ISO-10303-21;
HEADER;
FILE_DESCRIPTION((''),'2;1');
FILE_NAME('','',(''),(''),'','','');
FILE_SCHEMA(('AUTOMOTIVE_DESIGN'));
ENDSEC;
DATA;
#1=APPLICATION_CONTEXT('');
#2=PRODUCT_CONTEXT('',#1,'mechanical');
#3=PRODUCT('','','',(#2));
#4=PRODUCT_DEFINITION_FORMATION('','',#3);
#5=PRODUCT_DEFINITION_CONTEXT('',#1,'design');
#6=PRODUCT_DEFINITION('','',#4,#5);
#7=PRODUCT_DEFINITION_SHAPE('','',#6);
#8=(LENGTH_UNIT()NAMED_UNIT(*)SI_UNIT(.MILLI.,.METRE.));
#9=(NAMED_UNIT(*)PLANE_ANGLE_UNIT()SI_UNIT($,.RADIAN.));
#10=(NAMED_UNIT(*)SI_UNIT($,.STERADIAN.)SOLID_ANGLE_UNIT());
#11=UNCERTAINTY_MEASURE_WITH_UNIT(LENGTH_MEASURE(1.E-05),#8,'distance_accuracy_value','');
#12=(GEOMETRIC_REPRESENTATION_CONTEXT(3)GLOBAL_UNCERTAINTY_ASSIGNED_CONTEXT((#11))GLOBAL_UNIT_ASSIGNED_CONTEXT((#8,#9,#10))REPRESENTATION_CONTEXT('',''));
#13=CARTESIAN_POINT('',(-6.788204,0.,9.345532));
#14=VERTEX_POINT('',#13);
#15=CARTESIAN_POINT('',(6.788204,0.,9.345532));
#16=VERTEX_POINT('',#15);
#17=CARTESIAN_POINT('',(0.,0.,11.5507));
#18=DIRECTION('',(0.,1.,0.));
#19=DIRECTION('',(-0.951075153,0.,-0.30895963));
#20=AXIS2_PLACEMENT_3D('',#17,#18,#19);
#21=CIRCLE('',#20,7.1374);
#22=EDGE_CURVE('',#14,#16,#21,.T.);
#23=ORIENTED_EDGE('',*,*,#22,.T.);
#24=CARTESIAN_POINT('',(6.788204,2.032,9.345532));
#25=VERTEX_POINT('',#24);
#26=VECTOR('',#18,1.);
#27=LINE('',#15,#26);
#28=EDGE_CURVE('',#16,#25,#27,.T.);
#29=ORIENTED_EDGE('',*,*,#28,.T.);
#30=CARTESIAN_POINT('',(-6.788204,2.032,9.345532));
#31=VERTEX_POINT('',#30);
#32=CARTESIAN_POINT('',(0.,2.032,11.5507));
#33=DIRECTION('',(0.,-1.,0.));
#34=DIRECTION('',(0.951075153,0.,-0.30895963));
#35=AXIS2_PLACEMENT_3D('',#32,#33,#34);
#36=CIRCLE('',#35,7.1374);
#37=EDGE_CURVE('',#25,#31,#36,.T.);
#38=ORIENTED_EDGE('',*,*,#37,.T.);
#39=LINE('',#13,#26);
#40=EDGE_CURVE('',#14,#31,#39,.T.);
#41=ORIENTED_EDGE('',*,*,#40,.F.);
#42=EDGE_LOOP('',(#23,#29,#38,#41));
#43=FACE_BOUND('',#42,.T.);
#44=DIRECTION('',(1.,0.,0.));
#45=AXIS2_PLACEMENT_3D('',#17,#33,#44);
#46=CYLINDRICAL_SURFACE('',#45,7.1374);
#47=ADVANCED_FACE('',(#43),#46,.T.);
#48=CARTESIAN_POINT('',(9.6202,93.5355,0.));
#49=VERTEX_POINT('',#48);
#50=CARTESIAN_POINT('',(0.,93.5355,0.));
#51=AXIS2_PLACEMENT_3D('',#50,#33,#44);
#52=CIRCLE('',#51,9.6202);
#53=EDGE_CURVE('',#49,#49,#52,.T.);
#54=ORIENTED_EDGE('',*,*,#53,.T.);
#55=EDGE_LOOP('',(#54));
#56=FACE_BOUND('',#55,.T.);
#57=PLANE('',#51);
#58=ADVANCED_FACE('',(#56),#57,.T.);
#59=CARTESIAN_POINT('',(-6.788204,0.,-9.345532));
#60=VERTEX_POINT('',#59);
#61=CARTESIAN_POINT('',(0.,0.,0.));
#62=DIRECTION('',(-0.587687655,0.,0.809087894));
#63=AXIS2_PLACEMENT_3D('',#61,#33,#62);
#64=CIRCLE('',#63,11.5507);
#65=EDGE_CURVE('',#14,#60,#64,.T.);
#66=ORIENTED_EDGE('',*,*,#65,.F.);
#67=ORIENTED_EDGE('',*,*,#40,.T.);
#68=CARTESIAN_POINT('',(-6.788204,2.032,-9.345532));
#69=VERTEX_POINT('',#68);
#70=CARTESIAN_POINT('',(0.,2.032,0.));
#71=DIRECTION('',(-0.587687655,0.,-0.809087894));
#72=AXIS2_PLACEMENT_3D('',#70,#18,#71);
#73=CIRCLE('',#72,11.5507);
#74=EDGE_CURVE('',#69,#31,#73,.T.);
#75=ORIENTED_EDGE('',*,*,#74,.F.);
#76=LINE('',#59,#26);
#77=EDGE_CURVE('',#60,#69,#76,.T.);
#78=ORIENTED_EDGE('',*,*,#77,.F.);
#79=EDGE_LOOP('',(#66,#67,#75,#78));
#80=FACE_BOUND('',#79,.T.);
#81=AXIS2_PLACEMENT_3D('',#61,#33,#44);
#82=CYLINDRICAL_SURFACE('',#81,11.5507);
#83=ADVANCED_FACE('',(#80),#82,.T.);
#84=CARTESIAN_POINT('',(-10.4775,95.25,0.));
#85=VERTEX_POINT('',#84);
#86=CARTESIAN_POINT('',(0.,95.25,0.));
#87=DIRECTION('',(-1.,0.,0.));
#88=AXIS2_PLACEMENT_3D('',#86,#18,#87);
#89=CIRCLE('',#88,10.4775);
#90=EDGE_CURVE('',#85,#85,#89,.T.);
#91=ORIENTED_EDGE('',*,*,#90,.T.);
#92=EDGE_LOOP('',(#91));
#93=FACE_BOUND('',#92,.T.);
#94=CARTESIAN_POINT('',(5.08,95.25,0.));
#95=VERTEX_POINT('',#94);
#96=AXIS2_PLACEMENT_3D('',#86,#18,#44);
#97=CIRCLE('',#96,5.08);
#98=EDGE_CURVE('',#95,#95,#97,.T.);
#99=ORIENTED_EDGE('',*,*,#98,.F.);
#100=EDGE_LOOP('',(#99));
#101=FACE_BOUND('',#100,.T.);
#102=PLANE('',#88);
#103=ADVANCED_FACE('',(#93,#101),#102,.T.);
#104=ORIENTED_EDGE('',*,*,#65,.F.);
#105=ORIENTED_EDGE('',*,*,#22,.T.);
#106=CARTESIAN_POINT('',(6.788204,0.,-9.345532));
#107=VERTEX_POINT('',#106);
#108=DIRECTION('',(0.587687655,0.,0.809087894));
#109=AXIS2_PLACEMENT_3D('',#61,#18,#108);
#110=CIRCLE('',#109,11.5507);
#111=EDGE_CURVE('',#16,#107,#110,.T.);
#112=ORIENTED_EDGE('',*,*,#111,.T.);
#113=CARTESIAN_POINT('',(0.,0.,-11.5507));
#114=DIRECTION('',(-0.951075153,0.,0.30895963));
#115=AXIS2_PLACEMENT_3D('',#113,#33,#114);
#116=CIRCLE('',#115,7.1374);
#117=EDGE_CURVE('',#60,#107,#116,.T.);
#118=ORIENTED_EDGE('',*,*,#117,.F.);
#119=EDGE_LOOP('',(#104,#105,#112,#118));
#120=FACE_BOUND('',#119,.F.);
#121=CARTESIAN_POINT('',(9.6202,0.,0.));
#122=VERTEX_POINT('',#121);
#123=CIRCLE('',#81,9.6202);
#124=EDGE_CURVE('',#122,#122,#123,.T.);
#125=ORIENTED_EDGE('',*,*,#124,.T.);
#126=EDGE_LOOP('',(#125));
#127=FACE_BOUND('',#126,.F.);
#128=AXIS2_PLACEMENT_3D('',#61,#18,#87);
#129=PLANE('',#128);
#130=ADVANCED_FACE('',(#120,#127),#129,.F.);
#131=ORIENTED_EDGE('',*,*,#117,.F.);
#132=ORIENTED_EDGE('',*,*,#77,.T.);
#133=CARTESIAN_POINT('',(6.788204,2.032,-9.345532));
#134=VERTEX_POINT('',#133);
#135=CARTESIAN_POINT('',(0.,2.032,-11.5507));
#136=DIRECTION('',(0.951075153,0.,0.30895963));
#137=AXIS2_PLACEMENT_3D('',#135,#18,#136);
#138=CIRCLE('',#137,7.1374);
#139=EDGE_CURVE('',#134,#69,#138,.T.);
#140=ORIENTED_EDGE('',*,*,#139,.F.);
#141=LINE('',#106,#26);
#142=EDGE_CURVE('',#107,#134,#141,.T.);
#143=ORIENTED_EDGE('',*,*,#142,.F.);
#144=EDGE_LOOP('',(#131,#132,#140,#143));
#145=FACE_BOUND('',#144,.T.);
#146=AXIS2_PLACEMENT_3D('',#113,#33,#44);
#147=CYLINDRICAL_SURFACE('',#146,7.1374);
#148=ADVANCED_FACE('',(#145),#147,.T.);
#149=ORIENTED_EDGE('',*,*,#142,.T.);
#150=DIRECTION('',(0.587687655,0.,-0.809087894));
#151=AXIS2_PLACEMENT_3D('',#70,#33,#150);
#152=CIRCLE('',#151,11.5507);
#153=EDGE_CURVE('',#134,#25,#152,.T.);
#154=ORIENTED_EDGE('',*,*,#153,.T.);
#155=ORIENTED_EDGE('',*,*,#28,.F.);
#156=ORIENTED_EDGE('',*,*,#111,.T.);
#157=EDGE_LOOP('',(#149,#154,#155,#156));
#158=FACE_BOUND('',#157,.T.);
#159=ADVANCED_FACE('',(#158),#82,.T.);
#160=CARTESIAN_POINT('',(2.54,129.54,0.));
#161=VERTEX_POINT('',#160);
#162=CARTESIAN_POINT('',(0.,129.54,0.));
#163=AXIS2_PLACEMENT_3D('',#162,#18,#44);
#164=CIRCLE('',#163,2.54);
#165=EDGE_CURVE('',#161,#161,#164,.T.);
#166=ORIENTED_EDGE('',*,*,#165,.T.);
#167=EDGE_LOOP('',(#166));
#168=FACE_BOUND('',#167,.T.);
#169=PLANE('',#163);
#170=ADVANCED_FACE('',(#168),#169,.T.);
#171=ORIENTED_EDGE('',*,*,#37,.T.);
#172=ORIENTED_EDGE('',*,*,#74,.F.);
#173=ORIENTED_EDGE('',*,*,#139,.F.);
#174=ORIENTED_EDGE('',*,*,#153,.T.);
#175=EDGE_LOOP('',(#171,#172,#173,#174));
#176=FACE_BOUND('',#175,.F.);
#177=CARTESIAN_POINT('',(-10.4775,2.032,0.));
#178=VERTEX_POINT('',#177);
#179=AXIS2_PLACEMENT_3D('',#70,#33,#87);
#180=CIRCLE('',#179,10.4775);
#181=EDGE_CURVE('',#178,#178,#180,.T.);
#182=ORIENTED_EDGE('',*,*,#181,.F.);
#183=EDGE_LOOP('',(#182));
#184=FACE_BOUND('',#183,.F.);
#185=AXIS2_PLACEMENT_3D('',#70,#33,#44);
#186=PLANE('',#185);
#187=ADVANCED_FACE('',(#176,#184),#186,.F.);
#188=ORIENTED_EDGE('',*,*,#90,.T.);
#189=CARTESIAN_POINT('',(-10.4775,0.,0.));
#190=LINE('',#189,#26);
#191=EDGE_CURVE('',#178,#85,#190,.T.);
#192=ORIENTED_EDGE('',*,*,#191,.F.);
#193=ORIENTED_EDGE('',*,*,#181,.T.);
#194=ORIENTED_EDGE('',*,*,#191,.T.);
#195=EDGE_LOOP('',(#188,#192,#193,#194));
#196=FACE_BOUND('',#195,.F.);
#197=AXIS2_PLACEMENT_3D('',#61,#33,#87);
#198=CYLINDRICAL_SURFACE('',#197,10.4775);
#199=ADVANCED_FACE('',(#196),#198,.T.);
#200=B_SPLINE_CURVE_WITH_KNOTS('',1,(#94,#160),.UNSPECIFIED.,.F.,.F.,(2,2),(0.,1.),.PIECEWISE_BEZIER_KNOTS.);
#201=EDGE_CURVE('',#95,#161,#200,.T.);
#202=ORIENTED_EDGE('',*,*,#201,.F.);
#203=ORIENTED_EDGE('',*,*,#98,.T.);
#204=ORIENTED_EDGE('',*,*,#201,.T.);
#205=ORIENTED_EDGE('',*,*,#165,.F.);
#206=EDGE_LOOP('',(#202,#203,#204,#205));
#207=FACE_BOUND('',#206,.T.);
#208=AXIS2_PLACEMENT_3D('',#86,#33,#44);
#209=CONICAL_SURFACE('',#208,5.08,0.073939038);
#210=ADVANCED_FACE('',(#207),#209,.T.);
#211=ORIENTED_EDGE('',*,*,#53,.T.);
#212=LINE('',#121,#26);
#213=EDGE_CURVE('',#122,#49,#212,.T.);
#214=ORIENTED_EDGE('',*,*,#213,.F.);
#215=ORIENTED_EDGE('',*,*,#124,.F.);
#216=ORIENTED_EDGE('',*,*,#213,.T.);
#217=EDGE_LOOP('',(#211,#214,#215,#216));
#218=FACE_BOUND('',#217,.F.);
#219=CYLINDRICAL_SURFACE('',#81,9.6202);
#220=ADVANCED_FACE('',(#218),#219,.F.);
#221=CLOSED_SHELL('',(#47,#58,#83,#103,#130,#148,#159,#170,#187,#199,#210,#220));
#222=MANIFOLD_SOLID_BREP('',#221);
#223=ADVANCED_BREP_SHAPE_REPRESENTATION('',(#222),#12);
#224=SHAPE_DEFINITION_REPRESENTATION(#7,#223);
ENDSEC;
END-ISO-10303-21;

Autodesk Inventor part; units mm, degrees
ref_plane "YZ Plane" through (0, 0, 0) normal (1, 0, 0) x (0, 1, 0)
ref_plane "XZ Plane" through (0, 0, 0) normal (0, 1, 0) x (-1, 0, 0)
sketch "Sketch1" plane through (0, 0, 0) normal (0, 1, 0) x (-1, 0, 0)
  circle A0 centre (0, 0) radius 10.4775
  dimension "d0" = 20.955
extrude "Extrusion1" add sketch "Sketch1" along normal blind 95.25
sketch "Sketch2" plane through (0, 95.25, 0) normal (0, 1, 0) x (1, 0, 0)
  circle A0 centre (0, 0) radius 5.08
  dimension "d3" = 10.16
ref_plane "Work Plane1" through (0, 129.54, 0) normal (0, 1, 0) x (1, 0, 0)
sketch "Sketch3" plane through (0, 129.54, 0) normal (0, 1, 0) x (1, 0, 0)
  circle A0 centre (0, 0) radius 2.54
  dimension "d5" = 5.08
loft "Loft1" add profiles "Sketch2", "Sketch3"
sketch "Sketch4" plane through (0, 0, 0) normal (0, -1, 0) x (1, 0, 0)
  circle A0 centre (0, 0) radius 11.5507
  circle A1 centre (0, 11.5507) radius 7.1374
  circle A2 centre (0, -11.5507) radius 7.1374
  line L0 (7.1374, 11.5507) -> (11.5507, 0) construction
  line L1 (-7.1374, 11.5507) -> (-11.5507, 0) construction
  line L2 (-11.5507, 0) -> (-7.1374, -11.5507) construction
  line L3 (7.1374, -11.5507) -> (11.5507, 0) construction
  arc A3 (7.1374, 11.5507) -> (8.6078, 7.7021) centre (14.2137, 12.0492) ccw
  line L4 (11.5507, 0) -> (-11.5507, 0)
  line L5 (0, 11.5507) -> (0, -11.5507)
  arc A4 (-8.6078, 7.7021) -> (-7.1374, 11.5507) centre (-14.2137, 12.0492) ccw
  arc A5 (8.6078, -7.7021) -> (7.1374, -11.5507) centre (14.2137, -12.0492) ccw
  arc A6 (-7.1374, -11.5507) -> (-8.6078, -7.7021) centre (-14.2137, -12.0492) ccw
  circle A7 centre (0, 0) radius 11.5507
  dimension "d10" = 23.1013
  dimension "d11" = 14.2748
  dimension "d12" = 14.2748
extrude "Extrusion2" add sketch "Sketch4" against normal blind 2.032 contours L4 L5 A1 A0 | A0 A2 L5 L4 | L5 A2 A0 L4 | L4 A0 A1 L5 | A1 L5 A0 | A0 A1 | A2 A0 | A0 L5 A2 | A1 A0 L5 | L5 A0 A2
sketch "Sketch5" plane through (0, 0, 0) normal (0, -1, 0) x (1, 0, 0)
  circle A0 centre (0, 0) radius 5.08 projected
  circle A1 centre (0, 0) radius 9.6202
  dimension "d15" = 19.2405
extrude "Extrusion3" cut sketch "Sketch5" against normal blind 93.5355 contours A0 | A1
properties part number "syringe"
